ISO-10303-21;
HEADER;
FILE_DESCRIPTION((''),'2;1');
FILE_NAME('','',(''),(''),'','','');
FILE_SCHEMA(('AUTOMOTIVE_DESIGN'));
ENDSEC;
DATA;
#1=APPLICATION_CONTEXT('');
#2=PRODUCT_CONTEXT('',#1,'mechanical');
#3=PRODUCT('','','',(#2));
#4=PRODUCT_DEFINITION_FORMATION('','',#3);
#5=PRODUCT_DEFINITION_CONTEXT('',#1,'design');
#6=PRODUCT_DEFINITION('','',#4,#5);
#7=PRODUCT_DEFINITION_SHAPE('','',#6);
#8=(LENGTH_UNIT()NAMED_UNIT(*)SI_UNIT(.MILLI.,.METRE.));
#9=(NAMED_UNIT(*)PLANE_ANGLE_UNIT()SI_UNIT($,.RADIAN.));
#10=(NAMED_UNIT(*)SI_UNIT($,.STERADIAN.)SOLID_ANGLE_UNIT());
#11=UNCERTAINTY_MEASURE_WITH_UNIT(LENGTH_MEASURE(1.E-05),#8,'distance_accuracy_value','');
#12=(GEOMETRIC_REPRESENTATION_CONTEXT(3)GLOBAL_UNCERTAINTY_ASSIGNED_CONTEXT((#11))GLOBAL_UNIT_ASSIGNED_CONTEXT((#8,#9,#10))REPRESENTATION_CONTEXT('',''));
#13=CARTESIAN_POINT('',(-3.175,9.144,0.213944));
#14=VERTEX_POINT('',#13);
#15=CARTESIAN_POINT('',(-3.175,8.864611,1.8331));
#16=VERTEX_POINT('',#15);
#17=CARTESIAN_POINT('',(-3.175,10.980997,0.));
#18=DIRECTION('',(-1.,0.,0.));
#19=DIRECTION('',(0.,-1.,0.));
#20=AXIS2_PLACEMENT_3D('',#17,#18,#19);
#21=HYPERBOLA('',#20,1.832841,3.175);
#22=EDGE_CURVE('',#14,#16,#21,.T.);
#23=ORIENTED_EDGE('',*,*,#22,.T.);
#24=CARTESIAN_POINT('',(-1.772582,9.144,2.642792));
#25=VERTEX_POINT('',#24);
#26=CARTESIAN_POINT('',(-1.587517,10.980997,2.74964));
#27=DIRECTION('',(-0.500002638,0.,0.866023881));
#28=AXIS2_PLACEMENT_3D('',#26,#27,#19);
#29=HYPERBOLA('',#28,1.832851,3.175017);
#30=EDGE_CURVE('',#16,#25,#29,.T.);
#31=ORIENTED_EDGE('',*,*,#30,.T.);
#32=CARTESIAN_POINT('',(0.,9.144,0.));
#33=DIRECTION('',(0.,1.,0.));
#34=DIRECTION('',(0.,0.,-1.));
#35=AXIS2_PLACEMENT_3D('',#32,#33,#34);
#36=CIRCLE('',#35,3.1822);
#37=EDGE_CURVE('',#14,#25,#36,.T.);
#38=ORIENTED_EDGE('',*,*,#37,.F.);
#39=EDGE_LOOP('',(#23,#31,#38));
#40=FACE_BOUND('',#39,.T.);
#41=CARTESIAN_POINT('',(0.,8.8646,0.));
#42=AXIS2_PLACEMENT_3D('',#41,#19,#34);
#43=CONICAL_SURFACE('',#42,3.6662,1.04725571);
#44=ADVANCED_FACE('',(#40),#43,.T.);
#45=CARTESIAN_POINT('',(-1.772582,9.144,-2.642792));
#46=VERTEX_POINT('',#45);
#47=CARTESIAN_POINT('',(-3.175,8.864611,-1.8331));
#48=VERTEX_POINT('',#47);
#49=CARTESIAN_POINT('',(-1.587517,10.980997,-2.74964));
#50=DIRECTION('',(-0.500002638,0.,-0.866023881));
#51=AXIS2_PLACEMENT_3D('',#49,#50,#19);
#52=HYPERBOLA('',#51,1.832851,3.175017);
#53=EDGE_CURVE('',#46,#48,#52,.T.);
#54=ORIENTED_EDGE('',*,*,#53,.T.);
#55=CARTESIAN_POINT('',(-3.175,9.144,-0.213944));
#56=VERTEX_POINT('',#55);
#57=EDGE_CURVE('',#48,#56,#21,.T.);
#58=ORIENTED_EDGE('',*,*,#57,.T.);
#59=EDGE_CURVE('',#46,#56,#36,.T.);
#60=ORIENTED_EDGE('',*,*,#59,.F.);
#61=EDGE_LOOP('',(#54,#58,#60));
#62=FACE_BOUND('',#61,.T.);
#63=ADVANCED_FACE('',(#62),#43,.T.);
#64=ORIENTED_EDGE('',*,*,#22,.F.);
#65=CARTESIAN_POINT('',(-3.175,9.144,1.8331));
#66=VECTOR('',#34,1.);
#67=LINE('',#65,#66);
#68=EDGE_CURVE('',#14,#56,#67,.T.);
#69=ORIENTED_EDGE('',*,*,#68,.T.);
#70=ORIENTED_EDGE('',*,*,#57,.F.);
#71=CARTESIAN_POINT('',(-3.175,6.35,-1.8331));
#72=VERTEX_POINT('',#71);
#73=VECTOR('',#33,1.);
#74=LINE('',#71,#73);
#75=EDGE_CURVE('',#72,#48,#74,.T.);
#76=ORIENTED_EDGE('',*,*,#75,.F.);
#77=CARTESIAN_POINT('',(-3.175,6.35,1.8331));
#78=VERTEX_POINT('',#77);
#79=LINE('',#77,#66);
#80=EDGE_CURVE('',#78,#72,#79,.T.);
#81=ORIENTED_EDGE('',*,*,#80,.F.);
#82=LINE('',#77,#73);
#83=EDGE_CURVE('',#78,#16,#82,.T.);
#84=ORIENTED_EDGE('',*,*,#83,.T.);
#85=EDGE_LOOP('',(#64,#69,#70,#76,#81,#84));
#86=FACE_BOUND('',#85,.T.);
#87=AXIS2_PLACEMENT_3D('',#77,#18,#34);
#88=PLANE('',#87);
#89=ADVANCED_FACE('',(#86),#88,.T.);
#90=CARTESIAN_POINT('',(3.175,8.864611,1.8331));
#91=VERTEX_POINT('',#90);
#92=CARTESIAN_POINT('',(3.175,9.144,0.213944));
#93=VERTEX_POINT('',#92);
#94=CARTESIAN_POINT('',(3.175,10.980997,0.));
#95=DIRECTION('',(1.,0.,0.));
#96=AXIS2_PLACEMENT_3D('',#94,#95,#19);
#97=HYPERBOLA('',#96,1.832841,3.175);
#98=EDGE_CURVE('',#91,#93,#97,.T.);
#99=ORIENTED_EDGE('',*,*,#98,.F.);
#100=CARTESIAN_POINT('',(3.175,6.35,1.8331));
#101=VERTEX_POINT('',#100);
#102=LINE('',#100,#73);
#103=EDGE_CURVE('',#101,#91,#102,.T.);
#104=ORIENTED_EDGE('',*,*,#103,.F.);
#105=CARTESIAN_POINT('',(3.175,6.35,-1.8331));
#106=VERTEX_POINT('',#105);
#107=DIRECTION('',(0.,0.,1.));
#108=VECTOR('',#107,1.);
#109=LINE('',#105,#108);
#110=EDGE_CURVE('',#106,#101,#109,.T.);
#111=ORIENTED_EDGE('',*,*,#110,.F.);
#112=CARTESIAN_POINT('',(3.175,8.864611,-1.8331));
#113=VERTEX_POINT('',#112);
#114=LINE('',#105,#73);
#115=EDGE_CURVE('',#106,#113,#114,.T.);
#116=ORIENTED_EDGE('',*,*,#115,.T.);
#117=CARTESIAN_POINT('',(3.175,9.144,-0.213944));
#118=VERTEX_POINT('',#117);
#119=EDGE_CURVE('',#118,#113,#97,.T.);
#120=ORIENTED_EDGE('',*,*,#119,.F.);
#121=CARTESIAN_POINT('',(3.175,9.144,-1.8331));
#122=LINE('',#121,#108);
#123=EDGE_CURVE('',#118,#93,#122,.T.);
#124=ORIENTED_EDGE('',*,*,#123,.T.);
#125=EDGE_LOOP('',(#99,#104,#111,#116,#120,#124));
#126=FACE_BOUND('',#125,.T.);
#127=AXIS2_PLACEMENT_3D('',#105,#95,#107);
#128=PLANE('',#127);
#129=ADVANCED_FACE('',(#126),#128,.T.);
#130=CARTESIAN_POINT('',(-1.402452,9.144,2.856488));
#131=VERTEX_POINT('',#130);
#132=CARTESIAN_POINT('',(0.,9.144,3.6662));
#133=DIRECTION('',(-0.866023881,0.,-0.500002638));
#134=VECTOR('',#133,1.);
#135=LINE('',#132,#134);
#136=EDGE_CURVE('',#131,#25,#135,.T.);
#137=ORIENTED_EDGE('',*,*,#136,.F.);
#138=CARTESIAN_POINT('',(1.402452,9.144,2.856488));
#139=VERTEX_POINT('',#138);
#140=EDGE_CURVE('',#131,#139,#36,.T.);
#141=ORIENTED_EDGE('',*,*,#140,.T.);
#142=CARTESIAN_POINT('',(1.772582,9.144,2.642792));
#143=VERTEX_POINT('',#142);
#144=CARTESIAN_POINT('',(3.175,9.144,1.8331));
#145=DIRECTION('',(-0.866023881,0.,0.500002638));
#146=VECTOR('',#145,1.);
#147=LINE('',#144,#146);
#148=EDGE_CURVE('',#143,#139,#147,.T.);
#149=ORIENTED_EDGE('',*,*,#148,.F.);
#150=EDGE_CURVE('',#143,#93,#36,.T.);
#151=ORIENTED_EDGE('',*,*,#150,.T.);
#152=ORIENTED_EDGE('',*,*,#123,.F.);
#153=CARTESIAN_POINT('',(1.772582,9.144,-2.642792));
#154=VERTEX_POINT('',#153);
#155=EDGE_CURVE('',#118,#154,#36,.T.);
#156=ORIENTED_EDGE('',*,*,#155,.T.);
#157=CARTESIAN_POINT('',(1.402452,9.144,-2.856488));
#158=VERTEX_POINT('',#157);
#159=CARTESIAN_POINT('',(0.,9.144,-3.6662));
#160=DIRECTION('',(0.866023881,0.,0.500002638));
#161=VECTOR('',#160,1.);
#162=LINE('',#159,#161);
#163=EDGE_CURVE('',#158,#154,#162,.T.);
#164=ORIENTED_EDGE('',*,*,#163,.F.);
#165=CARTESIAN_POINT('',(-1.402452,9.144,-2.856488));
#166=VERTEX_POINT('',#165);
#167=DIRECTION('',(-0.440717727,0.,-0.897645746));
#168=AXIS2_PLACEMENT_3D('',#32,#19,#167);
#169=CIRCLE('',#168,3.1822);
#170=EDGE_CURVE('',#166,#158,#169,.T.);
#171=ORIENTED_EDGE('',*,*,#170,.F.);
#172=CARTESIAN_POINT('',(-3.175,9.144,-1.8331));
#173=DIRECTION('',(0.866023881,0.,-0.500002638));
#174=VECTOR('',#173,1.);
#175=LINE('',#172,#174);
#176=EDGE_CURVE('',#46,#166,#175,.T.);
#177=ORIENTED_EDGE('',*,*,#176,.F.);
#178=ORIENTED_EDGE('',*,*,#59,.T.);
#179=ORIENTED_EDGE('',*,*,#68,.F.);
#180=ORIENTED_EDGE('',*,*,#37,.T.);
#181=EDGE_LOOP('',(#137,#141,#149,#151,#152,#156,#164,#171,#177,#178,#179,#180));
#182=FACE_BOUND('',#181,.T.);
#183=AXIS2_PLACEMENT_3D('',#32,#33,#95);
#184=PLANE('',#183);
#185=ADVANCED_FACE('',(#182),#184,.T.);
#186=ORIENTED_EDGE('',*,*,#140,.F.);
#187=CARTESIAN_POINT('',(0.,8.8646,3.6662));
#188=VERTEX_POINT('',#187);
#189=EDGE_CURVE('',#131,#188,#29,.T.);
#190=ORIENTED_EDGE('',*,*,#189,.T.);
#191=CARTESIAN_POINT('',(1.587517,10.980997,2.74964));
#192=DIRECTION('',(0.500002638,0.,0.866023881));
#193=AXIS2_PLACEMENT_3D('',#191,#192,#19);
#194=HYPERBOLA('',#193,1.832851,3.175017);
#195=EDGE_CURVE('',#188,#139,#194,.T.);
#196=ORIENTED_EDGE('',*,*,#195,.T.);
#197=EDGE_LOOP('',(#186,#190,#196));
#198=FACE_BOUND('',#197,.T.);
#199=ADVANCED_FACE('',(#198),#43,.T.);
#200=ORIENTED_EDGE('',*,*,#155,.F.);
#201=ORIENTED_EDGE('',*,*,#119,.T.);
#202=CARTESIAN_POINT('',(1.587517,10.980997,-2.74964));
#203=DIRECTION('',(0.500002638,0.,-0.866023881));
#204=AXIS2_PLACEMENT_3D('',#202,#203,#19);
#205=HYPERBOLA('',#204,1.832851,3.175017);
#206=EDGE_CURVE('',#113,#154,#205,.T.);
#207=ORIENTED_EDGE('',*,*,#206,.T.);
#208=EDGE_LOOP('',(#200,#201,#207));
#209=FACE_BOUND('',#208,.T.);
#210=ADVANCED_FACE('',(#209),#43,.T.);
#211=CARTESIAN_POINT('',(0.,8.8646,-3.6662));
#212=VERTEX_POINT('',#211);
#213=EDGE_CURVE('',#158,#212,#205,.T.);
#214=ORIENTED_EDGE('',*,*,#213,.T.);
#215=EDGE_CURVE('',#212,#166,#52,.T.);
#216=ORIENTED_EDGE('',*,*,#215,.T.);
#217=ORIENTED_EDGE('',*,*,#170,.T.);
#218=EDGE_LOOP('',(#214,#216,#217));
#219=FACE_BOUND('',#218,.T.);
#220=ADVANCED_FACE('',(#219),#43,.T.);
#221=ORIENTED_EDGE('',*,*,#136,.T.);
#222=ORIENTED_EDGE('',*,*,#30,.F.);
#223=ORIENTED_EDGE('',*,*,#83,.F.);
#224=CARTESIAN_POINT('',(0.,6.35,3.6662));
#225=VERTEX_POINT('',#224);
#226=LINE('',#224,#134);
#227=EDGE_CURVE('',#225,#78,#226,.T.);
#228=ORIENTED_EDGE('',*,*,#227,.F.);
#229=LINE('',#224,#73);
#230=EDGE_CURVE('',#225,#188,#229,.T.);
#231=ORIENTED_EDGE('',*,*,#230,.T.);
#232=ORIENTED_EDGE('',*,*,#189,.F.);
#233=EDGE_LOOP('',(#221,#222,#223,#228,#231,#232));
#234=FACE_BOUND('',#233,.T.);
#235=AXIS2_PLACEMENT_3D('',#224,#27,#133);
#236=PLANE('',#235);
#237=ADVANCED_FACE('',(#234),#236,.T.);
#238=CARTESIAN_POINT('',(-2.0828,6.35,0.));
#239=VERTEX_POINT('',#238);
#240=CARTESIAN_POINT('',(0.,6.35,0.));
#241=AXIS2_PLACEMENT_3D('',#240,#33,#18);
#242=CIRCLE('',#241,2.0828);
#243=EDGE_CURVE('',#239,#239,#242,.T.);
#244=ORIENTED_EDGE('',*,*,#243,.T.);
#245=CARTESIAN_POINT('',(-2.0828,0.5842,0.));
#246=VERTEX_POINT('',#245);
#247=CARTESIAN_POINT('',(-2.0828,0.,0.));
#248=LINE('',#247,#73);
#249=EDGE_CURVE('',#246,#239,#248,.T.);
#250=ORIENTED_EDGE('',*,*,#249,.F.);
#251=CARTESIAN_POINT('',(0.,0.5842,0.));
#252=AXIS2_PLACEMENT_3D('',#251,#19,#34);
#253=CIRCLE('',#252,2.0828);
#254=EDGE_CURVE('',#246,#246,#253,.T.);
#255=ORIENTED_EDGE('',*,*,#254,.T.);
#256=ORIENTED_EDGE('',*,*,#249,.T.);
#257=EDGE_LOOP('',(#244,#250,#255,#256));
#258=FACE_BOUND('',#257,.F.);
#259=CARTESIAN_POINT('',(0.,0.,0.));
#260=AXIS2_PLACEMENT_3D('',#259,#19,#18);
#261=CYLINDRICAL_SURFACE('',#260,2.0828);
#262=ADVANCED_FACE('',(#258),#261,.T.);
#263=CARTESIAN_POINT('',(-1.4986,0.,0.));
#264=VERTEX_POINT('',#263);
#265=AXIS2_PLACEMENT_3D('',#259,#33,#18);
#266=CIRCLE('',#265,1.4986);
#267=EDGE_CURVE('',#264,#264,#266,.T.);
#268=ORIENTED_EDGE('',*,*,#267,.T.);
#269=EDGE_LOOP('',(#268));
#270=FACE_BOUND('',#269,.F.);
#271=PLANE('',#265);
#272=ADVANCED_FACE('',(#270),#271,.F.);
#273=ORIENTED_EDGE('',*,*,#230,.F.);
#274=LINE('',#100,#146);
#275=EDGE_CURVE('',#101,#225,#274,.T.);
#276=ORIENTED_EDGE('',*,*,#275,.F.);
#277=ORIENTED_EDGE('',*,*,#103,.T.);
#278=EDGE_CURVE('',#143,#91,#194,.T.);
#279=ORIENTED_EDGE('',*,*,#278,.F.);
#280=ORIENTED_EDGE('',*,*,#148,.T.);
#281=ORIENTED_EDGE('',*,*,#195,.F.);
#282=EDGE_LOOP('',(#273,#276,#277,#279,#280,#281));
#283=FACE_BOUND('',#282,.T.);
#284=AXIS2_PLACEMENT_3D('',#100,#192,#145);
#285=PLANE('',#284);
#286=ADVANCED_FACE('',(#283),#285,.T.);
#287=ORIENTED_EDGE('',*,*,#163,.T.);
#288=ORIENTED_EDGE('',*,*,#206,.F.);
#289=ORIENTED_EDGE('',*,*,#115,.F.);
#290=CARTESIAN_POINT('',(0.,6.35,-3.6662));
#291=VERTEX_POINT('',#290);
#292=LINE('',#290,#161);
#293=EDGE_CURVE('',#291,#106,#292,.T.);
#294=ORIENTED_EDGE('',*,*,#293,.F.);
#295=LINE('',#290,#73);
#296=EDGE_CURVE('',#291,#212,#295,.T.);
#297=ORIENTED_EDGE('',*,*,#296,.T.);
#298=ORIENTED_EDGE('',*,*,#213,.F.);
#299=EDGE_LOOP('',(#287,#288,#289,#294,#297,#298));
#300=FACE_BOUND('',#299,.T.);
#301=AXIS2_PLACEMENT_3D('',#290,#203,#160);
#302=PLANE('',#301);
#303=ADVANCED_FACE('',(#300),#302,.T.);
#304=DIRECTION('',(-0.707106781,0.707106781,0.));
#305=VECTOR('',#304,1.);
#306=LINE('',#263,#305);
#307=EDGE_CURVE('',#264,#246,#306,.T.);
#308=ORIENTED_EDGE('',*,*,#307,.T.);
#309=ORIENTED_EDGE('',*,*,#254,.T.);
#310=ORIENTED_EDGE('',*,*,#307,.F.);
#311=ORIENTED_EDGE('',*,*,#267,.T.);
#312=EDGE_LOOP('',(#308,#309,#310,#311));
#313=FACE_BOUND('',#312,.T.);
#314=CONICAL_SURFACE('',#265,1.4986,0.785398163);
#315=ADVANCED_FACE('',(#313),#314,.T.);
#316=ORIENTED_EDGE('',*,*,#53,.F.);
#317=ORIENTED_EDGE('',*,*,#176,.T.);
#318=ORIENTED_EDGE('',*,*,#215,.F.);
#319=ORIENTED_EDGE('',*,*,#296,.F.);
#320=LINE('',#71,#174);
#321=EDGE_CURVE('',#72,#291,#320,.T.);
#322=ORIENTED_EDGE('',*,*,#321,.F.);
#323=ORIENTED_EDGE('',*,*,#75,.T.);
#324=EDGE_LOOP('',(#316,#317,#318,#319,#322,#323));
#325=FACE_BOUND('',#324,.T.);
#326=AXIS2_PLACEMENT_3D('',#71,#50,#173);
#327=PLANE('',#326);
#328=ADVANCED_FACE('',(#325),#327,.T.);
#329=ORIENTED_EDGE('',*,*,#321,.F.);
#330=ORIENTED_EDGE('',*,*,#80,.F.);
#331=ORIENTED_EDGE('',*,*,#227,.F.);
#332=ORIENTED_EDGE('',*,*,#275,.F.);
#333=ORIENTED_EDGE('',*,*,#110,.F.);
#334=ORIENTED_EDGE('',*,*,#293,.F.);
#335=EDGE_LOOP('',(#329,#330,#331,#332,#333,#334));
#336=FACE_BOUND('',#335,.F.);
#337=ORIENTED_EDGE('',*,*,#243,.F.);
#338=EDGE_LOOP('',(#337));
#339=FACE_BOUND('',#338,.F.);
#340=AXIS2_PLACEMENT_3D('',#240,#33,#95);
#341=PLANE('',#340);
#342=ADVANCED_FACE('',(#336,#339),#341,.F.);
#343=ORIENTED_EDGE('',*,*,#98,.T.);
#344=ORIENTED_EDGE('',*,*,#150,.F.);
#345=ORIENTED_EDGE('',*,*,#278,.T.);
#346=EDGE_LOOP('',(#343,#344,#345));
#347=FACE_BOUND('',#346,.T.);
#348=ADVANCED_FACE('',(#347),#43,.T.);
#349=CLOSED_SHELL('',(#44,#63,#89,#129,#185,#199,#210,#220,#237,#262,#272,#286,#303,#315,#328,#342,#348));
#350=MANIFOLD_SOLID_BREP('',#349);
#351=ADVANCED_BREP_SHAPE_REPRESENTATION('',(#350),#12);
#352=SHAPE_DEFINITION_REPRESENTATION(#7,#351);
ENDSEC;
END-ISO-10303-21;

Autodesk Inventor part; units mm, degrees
ref_plane "YZ Plane" through (0, 0, 0) normal (1, 0, 0) x (0, 1, 0)
ref_plane "XZ Plane" through (0, 0, 0) normal (0, 1, 0) x (-1, 0, 0)
ref_plane "XY Plane" through (0, 0, 0) normal (0, 0, 1) x (1, 0, 0)
sketch "Sketch1" plane through (0, 0, 0) normal (0, 1, 0) x (-1, 0, 0)
  circle A0 centre (0, 0) radius 2.0828
  dimension "d0" = 4.1656
extrude "Body" add sketch "Sketch1" along normal blind 6.35
sketch "Sketch2" plane through (0, 6.35, 0) normal (0, 1, 0) x (1, 0, 0)
  line L0 (-3.175, 1.8331) -> (0, 3.6662)
  line L1 (0, 3.6662) -> (3.175, 1.8331)
  line L2 (3.175, 1.8331) -> (3.175, -1.8331)
  line L3 (3.175, -1.8331) -> (0, -3.6662)
  line L4 (0, -3.6662) -> (-3.175, -1.8331)
  line L5 (-3.175, -1.8331) -> (-3.175, 1.8331)
  point P0 (0, 0)
  point P1 (0, 0)
  dimension "d3" = 6.35
extrude "Head" add sketch "Sketch2" along normal blind 2.794
sketch "Sketch3" plane through (0, 0, 0) normal (1, 0, 0) x (0, 1, 0)
  line L0 (8.8646, -3.6662) -> (9.144, -3.1822)
  line L1 (9.144, -3.1822) -> (9.144, -3.6662)
  line L2 (9.144, -3.6662) -> (8.8646, -3.6662)
  line L3 (6.35, -3.6662) -> (9.144, -3.6662) projected
  line L4 (9.144, -1.8331) -> (9.144, -3.6662) projected
  line L5 (-1.8288, 0) -> (10.9728, 0) projected
  point P0 (0, 0)
  dimension "d6" = 0.5588
  dimension "d7" = 60
revolve "Head Chamfer" cut sketch "Sketch3" angle 360 about axis through (0, -10, 0) along (0, 1, 0)
sketch "Sketch4" plane through (0, 0, 0) normal (0, 0, 1) x (1, 0, 0)
  line L0 (-2.0828, 0) -> (-2.0828, 6.35) projected
  line L1 (-2.0828, 0.0762) -> (-2.0828, -0.6413)
  line L2 (-2.0828, -0.6413) -> (-2.6162, -0.3334)
  line L3 (-2.6162, -0.3334) -> (-2.6162, -0.2318)
  line L4 (-2.6162, -0.2318) -> (-2.0828, 0.0762)
  line L5 (2.0828, 0) -> (-2.0828, 0) projected
  point P0 (0, 0)
  dimension "d9" = 60
  dimension "d10" = 0.1016
  dimension "d11" = 0.0762
  dimension "d12" = 0.5334
feature "Thread" [suppressed]
sketch "Sketch5" plane through (0, 0, 0) normal (0, 0, 1) x (1, 0, 0)
  line L0 (0, 0) -> (-1.4986, 0)
  line L1 (-1.4986, 0) -> (-2.2461, 0.7475)
  line L2 (-2.2461, 0.7475) -> (-2.2461, -1.8711)
  line L3 (-2.2461, -1.8711) -> (-1.4986, -1.8711)
  line L4 (-1.4986, -1.8711) -> (-1.4986, 0)
  line L5 (-2.0828, 0) -> (-2.0828, 0) projected
  line L6 (0, -2.3949) -> (0, 1.2713) projected
  point P0 (0, 0)
  dimension "d21" = 1.4986
  dimension "d22" = 135
  dimension "d23" = 0
  dimension "d24" = 0
revolve "Tapered End" cut sketch "Sketch5" angle 360 about axis through (0, -10, 0) along (0, 1, 0)
properties part number "Screw Nylon Hex" material "Black"
